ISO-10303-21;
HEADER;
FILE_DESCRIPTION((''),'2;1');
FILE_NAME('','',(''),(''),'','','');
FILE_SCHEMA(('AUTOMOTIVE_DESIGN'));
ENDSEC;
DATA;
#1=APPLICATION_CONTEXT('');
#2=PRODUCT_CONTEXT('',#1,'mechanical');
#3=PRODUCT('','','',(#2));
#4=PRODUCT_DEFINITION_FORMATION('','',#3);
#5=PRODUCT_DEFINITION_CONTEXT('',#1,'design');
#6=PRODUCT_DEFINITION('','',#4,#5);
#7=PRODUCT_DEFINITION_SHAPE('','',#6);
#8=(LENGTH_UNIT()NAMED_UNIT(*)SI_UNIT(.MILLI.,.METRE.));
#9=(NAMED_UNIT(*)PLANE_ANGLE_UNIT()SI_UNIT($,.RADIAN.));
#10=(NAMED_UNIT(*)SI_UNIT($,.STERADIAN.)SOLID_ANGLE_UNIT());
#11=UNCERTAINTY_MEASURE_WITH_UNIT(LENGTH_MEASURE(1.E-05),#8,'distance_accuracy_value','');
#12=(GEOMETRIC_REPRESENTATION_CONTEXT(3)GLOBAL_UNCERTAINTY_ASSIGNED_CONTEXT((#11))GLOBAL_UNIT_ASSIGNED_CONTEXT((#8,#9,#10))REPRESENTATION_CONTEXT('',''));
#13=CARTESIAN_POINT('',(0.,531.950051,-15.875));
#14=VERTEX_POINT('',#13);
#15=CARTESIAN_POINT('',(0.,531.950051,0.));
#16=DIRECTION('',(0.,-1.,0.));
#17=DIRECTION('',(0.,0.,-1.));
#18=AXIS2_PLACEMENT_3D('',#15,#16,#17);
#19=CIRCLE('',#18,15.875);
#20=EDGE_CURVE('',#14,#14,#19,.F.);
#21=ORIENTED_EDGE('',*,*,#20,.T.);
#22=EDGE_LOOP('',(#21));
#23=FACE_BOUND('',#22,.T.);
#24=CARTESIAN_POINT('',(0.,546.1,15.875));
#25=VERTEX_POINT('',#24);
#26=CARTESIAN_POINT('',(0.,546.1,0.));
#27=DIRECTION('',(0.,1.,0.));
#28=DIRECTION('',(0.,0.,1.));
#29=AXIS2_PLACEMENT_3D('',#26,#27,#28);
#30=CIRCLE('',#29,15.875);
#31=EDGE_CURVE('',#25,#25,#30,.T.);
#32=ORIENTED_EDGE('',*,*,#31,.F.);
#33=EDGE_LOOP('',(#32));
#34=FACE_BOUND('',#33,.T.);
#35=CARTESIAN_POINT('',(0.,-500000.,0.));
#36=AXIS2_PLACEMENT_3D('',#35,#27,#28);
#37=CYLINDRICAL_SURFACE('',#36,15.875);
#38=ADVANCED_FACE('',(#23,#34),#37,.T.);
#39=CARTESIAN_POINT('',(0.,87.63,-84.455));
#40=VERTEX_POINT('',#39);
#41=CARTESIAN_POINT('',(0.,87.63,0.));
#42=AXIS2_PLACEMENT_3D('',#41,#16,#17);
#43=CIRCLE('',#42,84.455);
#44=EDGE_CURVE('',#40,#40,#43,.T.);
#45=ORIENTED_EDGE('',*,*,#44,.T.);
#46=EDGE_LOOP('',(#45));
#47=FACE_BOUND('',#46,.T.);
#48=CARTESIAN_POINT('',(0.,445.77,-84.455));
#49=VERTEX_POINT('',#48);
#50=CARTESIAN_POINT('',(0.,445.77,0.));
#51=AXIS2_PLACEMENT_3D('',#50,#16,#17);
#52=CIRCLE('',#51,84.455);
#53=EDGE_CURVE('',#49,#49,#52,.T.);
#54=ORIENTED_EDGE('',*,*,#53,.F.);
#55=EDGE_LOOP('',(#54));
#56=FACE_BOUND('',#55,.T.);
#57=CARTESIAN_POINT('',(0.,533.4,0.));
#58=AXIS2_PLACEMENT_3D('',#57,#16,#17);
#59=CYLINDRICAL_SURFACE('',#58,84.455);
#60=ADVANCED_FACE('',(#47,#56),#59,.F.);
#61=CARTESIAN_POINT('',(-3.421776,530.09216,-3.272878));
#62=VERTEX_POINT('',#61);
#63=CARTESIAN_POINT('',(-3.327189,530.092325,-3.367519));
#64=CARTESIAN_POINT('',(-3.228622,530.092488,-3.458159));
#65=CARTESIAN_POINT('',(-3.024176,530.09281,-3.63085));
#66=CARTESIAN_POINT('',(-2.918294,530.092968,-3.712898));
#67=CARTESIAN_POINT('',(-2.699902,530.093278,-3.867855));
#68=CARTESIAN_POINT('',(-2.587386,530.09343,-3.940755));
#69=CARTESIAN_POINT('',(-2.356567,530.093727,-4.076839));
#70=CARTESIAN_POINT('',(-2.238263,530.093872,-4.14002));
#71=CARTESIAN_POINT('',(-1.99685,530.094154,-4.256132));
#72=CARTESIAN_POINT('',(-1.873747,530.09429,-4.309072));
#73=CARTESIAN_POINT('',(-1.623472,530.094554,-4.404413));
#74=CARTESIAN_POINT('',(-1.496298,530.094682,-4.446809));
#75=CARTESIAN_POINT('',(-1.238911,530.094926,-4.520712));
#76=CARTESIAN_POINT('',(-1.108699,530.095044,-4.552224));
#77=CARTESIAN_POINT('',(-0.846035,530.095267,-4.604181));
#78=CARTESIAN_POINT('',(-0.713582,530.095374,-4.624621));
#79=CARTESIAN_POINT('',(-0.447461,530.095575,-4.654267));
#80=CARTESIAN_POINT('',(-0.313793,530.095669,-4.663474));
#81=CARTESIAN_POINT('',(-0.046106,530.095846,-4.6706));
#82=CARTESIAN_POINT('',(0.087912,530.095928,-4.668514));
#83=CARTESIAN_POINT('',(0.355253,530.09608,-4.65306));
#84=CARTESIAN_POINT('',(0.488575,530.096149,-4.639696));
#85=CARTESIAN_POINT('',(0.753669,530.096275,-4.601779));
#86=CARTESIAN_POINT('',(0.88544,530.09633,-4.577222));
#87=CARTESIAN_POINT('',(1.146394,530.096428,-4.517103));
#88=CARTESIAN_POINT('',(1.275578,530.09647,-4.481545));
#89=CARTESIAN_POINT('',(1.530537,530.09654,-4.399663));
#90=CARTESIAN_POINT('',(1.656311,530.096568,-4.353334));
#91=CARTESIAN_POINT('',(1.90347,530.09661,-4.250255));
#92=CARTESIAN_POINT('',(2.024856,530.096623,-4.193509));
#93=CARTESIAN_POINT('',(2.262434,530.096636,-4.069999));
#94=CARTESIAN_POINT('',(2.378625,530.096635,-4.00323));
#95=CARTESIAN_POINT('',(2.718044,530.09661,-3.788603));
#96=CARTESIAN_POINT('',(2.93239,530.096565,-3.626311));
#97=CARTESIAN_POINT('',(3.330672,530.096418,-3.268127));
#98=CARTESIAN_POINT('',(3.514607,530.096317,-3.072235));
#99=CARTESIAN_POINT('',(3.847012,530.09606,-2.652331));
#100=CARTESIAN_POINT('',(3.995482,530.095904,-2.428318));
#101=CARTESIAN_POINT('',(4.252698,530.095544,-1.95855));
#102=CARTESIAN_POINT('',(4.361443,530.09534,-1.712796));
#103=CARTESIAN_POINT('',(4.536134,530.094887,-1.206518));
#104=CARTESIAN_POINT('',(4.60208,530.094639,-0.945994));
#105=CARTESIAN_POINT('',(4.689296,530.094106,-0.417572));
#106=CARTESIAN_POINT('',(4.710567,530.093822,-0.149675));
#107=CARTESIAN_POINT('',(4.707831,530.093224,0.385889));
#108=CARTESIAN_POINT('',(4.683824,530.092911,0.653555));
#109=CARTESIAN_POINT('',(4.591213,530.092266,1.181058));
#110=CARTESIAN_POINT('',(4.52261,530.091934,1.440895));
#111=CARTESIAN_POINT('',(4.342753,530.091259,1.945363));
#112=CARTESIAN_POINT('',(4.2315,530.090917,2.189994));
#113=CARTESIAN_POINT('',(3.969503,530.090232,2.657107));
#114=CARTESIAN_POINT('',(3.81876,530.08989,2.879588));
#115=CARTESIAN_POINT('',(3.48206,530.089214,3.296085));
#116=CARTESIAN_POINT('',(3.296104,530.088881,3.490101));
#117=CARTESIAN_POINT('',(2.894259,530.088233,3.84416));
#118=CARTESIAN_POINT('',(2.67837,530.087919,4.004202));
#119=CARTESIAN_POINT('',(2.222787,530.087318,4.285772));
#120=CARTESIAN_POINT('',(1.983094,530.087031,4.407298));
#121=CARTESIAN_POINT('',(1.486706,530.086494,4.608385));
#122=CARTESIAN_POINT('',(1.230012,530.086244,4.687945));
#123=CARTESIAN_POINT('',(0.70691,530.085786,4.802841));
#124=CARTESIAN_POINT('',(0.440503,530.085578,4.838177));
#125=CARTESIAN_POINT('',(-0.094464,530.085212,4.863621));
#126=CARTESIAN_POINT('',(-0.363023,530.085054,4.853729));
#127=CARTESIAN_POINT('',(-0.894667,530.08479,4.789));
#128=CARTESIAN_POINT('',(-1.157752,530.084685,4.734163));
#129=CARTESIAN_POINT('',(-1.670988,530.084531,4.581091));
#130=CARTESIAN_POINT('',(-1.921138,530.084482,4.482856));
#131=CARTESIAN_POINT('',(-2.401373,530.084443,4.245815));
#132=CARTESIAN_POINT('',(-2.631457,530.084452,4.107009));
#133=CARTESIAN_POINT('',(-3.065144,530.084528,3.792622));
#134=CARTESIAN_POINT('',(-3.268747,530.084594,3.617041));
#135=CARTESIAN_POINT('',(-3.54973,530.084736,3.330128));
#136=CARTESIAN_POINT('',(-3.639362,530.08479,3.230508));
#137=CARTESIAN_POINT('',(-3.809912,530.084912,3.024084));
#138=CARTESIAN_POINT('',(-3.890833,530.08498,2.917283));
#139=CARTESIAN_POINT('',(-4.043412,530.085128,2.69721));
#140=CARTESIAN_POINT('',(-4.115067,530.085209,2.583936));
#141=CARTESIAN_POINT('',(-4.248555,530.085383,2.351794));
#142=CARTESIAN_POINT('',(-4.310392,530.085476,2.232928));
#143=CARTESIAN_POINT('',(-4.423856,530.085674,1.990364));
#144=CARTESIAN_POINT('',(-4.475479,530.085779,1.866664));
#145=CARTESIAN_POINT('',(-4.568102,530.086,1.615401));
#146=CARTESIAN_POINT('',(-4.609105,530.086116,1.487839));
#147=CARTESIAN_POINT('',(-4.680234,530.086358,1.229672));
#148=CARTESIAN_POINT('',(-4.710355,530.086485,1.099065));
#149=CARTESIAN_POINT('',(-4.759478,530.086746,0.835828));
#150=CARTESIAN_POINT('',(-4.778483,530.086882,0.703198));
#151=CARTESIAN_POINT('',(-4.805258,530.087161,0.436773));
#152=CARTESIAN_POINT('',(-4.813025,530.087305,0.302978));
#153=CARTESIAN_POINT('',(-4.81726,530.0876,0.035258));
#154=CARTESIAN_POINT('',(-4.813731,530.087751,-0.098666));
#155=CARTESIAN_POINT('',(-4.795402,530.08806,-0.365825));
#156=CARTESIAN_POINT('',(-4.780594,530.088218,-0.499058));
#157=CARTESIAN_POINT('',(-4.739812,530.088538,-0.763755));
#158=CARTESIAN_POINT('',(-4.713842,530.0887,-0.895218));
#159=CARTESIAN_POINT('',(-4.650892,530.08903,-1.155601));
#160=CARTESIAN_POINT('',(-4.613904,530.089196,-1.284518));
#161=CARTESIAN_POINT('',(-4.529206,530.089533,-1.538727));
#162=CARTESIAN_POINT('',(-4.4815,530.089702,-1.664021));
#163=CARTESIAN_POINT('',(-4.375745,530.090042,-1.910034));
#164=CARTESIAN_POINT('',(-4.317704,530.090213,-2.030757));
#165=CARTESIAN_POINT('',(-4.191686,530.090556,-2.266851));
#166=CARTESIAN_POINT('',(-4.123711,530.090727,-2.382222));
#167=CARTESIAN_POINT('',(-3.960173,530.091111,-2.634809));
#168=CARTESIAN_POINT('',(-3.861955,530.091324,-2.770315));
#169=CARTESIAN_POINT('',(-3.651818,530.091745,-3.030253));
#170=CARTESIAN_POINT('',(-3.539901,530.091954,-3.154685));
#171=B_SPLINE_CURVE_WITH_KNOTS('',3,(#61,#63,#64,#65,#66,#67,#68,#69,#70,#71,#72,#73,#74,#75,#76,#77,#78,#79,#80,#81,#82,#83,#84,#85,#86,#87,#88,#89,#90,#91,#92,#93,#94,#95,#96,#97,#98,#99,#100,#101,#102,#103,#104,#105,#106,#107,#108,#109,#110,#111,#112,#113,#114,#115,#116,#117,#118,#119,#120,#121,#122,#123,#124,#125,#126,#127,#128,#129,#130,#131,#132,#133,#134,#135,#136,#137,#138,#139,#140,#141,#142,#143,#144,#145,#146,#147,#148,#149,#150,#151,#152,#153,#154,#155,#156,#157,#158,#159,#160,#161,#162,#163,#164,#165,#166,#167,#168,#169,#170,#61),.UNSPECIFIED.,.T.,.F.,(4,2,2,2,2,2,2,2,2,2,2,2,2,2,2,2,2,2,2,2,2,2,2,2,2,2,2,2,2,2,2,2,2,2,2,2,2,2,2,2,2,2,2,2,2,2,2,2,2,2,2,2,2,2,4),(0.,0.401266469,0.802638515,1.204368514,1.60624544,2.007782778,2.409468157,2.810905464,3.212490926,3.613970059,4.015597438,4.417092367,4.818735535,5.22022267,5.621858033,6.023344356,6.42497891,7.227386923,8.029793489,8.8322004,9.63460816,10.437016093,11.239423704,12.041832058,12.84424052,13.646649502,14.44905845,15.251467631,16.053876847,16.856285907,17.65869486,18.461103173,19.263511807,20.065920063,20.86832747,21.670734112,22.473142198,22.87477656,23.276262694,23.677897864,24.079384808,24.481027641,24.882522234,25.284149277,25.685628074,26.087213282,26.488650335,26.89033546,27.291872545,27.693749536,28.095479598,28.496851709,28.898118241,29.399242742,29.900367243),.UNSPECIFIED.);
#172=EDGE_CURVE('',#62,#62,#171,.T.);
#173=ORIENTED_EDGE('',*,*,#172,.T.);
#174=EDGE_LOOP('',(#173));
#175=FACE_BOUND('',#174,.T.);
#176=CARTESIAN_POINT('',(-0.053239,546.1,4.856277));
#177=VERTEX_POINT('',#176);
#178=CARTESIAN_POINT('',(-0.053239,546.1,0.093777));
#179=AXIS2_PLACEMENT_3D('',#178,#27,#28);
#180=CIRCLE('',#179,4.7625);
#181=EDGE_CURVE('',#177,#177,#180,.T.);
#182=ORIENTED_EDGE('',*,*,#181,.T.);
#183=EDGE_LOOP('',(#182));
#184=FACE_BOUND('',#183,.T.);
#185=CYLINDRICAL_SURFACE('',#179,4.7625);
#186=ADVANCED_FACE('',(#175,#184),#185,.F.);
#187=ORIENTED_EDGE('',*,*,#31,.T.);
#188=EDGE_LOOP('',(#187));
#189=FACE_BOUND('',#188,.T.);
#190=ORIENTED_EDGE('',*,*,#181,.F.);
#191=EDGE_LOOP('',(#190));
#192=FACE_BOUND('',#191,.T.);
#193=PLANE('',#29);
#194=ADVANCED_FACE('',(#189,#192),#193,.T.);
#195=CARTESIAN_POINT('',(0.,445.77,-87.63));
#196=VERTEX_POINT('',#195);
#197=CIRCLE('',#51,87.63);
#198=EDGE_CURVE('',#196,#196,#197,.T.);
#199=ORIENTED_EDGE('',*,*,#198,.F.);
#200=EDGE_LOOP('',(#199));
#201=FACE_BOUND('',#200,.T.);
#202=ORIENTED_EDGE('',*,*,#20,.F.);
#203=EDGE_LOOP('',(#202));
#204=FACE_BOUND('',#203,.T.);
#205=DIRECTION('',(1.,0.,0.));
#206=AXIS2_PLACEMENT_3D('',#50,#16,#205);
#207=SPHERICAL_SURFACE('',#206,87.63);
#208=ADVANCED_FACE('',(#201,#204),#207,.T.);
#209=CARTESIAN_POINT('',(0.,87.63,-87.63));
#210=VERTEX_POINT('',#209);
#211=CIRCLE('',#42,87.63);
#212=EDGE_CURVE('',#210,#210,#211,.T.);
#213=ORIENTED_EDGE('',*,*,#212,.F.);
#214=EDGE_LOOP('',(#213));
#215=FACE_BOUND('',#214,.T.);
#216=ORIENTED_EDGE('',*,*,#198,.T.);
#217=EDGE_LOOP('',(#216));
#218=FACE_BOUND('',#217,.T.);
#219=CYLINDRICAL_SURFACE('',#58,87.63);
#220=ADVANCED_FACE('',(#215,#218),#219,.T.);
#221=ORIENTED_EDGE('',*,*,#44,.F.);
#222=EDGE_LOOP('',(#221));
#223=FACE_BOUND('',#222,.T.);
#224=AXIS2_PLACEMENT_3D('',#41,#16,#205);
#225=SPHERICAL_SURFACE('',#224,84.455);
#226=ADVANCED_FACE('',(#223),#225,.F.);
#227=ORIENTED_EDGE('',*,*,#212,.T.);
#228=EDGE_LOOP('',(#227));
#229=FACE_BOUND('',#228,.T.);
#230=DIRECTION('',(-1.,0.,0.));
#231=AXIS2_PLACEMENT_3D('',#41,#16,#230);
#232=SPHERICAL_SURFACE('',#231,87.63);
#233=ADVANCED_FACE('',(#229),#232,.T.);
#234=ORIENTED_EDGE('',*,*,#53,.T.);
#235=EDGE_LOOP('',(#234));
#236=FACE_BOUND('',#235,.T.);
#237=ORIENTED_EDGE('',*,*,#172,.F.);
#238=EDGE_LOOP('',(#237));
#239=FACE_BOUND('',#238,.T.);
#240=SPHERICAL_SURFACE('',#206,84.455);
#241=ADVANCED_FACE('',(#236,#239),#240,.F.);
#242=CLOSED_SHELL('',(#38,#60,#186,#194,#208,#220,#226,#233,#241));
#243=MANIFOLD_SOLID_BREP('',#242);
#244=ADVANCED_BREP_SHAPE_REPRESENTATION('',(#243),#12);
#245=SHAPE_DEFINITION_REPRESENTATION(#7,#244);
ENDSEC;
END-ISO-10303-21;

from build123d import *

# Parameters (mm, degrees)
SKETCH2_R                        = 15.875
BOSS_EXTRUDE1_DEPTH              = 12.7
BOSS_EXTRUDE1_DIRECTION_2_REACH  = 535.4
F_3_8_0_375_DIAMETER_HOLE1_D     = 9.525
F_3_8_0_375_DIAMETER_HOLE1_DEPTH = 25.4
F_3_8_0_375_DIAMETER_HOLE1_TIP   = 2.861599


with BuildPart() as part:
    # Sketch1 → Revolve1 (revolve)
    with BuildSketch(Plane.XY):
        with BuildLine():
            Line((87.63, 445.77), (87.63, 87.63))
            ThreePointArc((87.63, 87.63), (61.963767, 25.666233), (0, 0))
            Line((0, 0), (0, 3.175))
            ThreePointArc((0, 3.175), (59.718703, 27.911297), (84.455, 87.63))
            Line((84.455, 87.63), (84.455, 445.77))
            ThreePointArc((84.455, 445.77), (59.718703, 505.488703), (0, 530.225))
            Line((0, 530.225), (0, 533.4))
            ThreePointArc((0, 533.4), (61.963767, 507.733767), (87.63, 445.77))
        make_face()
    revolve(axis=Axis((0, 533.4, 0), (0, 1, 0)))

    # Sketch2 → Boss-Extrude1 (add)
    with BuildSketch(Plane(origin=(0, 533.4, 0), x_dir=(1, 0, 0), z_dir=(0, 1, 0))):
        Circle(SKETCH2_R)
    extrude(amount=BOSS_EXTRUDE1_DEPTH)

    # Sketch2 → Boss-Extrude1 direction 2 (add, up to next)
    with BuildSketch(Plane(origin=(0, 533.4, 0), x_dir=(1, 0, 0), z_dir=(0, 1, 0)), mode=Mode.PRIVATE) as boss_extrude1_direction_2_sk1:
        Circle(SKETCH2_R)
    boss_extrude1_direction_2_tool1 = extrude(boss_extrude1_direction_2_sk1.sketch, amount=-BOSS_EXTRUDE1_DIRECTION_2_REACH, mode=Mode.PRIVATE) - part.part
    add(boss_extrude1_direction_2_tool1.solids().sort_by_distance((0, 533.4, 0))[0])

    # 3/8 (0.375) Diameter Hole1
    with Locations(Plane(origin=(-0.053239, 546.1, 0.093777), x_dir=(0, 0, 1), z_dir=(0, 1, 0))):
        with Locations((0, 0)):
            Hole(F_3_8_0_375_DIAMETER_HOLE1_D / 2, depth=F_3_8_0_375_DIAMETER_HOLE1_DEPTH)
            with Locations((0, 0, -(F_3_8_0_375_DIAMETER_HOLE1_DEPTH + F_3_8_0_375_DIAMETER_HOLE1_TIP / 2))):  # 118° drill point
                Cone(0, F_3_8_0_375_DIAMETER_HOLE1_D / 2, F_3_8_0_375_DIAMETER_HOLE1_TIP, mode=Mode.SUBTRACT)


solid = part.part
